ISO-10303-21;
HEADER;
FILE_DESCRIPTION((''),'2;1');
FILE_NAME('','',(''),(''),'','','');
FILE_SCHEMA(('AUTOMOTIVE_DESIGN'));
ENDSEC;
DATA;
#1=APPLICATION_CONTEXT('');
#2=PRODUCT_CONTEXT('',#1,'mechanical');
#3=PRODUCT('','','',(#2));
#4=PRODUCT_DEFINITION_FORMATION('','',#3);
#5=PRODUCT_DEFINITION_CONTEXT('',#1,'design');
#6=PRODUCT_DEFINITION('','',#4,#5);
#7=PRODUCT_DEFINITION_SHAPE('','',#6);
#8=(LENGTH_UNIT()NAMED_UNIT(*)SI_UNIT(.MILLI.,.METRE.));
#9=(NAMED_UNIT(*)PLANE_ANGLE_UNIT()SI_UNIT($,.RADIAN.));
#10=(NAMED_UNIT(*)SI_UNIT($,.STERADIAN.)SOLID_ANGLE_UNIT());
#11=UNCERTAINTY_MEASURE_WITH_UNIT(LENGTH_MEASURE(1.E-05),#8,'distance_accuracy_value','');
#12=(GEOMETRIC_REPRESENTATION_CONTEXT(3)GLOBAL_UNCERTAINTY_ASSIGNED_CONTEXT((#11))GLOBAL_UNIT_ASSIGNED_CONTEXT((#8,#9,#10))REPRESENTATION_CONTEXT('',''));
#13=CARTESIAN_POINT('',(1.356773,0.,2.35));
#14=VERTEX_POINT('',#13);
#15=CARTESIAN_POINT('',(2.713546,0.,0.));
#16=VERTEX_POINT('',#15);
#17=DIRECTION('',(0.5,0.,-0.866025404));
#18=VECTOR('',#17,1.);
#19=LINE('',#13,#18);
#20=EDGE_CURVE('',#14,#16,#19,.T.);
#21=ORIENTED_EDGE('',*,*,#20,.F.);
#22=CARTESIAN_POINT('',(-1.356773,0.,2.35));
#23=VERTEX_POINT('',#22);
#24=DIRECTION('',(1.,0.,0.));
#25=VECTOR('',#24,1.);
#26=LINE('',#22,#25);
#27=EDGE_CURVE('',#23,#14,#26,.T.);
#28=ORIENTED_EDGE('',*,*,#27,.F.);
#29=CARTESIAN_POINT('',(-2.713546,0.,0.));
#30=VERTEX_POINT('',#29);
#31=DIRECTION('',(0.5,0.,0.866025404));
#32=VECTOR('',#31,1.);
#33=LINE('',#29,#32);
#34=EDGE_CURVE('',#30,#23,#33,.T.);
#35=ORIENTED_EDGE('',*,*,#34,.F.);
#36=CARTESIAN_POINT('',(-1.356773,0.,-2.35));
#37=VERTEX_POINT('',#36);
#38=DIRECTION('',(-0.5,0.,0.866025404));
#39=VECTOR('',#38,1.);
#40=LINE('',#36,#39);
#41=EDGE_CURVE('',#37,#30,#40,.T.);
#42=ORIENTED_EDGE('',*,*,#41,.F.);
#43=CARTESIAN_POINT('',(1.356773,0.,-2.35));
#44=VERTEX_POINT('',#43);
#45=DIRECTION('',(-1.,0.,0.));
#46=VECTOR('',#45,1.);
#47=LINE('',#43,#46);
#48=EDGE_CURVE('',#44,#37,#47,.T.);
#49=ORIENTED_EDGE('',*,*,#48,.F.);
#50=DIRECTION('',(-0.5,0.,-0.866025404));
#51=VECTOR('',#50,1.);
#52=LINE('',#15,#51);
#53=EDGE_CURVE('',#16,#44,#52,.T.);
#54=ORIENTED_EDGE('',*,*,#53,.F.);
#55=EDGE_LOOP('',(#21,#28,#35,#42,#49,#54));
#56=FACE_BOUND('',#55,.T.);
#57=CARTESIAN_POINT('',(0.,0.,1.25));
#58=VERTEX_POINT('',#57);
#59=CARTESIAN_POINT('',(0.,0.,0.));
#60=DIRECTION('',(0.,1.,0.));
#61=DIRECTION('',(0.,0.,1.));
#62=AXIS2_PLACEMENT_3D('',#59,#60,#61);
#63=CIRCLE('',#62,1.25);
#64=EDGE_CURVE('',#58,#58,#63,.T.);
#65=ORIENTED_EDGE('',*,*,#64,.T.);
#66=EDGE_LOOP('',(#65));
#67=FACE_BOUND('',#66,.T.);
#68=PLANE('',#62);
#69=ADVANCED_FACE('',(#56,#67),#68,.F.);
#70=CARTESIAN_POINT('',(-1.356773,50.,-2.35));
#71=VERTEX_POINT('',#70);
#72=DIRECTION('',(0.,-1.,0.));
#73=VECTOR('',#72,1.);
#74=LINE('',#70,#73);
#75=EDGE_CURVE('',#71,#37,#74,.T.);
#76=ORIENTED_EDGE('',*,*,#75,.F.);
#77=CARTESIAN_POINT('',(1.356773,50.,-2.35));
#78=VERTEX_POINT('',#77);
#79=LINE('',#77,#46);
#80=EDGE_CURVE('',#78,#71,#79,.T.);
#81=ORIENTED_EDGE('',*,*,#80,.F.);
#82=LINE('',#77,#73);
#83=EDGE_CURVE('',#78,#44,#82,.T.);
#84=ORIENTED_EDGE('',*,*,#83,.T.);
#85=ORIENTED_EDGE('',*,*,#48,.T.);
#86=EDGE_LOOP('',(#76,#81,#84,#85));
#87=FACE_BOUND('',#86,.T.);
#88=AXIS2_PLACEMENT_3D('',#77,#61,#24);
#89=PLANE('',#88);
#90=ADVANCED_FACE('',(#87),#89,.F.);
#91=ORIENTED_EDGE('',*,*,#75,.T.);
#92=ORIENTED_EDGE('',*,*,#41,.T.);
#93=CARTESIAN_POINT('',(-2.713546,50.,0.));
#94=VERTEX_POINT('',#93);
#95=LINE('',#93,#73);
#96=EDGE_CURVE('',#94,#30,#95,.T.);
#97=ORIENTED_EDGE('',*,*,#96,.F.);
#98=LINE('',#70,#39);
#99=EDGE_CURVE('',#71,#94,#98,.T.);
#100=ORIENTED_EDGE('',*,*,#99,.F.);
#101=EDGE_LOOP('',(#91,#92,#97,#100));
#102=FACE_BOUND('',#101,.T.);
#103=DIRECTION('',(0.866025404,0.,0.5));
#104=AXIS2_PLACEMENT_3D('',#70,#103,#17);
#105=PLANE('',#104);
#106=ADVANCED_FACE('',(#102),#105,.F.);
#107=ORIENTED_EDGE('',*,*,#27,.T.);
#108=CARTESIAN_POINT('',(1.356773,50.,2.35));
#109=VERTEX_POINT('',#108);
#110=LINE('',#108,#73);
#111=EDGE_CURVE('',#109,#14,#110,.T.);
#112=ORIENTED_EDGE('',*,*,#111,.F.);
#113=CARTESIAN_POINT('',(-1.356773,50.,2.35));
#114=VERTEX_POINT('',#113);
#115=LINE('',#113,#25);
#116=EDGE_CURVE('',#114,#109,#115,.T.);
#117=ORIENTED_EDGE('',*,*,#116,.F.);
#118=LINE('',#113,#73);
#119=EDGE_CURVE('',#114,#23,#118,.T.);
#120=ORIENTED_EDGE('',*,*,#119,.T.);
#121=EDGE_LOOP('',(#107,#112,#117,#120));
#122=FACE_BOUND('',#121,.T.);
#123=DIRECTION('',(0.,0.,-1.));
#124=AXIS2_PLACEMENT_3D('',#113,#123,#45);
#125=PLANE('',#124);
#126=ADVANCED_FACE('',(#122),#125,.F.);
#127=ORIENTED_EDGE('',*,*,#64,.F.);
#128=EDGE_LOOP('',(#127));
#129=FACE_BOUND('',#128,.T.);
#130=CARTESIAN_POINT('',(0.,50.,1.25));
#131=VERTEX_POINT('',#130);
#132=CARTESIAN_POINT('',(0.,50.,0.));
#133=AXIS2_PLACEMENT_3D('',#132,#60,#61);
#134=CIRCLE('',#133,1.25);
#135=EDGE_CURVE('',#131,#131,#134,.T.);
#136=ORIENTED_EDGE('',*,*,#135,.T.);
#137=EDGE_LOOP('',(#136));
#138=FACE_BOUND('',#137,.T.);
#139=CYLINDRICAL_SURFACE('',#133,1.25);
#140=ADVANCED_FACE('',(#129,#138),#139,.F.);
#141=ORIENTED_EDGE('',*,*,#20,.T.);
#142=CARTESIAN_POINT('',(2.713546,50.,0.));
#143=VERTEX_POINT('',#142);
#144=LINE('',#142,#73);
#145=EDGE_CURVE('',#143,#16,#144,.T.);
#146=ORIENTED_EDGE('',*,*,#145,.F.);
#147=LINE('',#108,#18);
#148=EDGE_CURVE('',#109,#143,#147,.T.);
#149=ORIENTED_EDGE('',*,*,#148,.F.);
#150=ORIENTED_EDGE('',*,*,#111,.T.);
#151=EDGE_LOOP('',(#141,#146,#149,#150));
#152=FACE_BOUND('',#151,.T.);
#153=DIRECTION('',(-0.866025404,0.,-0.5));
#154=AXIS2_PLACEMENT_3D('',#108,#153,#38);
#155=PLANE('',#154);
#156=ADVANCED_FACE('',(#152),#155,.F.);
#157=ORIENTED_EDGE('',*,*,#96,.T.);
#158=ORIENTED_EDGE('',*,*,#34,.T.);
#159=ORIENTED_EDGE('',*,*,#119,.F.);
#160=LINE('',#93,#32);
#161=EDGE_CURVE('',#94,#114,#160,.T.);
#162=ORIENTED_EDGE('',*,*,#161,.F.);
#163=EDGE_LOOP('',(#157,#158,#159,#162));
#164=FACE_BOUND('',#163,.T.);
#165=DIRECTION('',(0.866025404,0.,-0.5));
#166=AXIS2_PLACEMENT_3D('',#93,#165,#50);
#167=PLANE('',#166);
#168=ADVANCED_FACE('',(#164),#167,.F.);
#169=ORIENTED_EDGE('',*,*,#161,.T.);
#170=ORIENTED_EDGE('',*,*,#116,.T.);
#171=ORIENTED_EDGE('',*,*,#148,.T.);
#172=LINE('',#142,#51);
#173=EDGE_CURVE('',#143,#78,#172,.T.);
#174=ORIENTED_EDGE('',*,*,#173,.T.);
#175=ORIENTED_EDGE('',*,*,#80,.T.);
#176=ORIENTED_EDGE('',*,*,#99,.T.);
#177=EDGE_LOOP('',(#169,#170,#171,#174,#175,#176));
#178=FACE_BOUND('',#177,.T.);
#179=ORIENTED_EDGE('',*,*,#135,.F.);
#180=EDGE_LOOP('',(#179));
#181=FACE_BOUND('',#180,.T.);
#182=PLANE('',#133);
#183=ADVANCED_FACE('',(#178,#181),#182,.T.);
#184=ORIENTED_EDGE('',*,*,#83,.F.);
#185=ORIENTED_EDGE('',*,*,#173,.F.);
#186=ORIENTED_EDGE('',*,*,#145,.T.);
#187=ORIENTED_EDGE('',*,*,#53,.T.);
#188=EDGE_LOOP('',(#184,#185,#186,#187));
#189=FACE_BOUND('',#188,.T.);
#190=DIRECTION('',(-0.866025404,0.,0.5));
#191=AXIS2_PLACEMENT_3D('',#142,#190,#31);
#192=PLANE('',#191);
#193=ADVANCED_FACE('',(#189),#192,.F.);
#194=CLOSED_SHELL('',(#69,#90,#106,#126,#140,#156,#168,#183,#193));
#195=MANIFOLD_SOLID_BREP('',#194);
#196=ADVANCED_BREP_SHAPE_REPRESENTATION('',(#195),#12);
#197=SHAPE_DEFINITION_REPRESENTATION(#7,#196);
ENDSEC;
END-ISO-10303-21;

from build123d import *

# Parameters (mm, degrees)
EXTRUDE_1_DEPTH    = 50
HOLE_WIZARD_M3_1_D = 2.5


with BuildPart() as part:
    # 草图1 → 凸台-拉伸1 (new body)
    with BuildSketch(Plane(origin=(0, 0, 0), x_dir=(1, 0, 0), z_dir=(0, 1, 0))):
        Polygon((2.713546265, 0), (1.356773133, 2.35), (-1.356773133, 2.35), (-2.713546265, 0), (-1.356773133, -2.35), (1.356773133, -2.35), align=None)
    extrude(amount=EXTRUDE_1_DEPTH)

    # M3 螺纹孔1 (through all)
    with Locations(Plane(origin=(0, 50, 0), x_dir=(1, 0, 0), z_dir=(0, 1, 0))):
        with Locations((0, 0)):
            Hole(HOLE_WIZARD_M3_1_D / 2)


solid = part.part
